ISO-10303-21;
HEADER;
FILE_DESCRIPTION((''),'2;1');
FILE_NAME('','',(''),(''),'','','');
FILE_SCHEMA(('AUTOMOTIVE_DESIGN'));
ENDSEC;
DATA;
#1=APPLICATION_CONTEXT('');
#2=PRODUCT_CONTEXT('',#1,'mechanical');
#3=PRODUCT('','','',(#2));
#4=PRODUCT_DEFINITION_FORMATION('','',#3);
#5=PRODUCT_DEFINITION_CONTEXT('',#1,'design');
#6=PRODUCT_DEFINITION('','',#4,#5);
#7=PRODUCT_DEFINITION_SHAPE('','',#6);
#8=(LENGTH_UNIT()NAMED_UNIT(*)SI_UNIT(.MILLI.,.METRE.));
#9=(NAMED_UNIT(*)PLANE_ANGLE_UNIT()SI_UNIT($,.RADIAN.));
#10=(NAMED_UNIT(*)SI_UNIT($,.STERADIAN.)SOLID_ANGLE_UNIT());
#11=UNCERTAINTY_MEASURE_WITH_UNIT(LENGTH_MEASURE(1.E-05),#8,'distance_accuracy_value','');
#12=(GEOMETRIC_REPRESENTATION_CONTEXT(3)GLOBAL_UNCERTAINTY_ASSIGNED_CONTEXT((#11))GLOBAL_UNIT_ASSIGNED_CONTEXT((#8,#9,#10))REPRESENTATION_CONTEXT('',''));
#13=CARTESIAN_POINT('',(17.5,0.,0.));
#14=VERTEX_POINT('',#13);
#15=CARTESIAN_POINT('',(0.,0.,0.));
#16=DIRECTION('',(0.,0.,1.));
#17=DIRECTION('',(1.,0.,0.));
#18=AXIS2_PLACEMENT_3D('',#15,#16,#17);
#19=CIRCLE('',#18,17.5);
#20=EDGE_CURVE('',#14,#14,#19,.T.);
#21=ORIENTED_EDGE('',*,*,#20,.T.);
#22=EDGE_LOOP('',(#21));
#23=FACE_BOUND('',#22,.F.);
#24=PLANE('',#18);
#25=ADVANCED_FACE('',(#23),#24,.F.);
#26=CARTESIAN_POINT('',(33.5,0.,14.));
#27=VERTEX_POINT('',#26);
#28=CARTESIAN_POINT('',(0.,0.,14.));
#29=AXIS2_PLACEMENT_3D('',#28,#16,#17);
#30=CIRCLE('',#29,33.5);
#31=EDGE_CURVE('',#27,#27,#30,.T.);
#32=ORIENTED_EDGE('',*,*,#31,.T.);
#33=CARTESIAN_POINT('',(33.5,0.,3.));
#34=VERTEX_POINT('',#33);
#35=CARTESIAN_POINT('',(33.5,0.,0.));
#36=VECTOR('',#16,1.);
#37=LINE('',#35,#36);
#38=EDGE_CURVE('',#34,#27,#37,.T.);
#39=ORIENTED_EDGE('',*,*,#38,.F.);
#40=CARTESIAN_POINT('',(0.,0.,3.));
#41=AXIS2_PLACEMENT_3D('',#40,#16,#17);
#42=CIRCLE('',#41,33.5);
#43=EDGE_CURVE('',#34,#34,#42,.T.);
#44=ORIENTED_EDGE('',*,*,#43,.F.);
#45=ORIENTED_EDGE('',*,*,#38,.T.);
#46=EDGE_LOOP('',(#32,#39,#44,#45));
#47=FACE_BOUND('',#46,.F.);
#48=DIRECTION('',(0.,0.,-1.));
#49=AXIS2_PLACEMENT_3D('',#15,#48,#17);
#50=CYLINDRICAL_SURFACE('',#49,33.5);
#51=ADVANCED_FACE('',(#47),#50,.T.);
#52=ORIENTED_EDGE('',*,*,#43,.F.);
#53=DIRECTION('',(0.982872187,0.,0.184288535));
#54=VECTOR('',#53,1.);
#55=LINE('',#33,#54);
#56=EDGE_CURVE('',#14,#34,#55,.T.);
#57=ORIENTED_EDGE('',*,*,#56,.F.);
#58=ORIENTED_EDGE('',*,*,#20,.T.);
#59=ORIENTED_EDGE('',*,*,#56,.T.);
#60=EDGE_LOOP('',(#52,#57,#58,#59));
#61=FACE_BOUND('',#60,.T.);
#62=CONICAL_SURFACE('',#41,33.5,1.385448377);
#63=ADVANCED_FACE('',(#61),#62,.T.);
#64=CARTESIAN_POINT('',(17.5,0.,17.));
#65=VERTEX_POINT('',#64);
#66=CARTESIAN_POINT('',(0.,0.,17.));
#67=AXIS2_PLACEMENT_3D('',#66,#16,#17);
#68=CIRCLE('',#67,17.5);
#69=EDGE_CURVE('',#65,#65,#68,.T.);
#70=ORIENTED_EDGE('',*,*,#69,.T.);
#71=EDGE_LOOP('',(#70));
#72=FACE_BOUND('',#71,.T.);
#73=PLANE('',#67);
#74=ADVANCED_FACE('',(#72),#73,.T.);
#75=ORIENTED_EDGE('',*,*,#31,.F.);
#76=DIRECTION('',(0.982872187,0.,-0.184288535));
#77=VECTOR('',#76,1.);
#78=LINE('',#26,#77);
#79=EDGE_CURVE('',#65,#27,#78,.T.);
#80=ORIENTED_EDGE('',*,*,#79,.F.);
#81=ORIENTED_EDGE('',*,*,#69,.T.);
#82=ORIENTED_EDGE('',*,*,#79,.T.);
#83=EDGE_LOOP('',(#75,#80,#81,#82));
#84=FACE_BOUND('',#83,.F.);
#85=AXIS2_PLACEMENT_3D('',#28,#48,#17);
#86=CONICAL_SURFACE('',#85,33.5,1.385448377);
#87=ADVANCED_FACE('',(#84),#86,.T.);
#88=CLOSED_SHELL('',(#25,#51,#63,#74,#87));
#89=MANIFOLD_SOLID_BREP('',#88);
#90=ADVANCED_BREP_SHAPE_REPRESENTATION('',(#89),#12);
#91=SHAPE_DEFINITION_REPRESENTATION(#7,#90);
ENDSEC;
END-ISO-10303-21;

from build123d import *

# Parameters (mm, degrees)
F0_R       = 33.5
F1_DEPTH   = 17
F2_SIZE2   = 3
F2_SIZE    = 16
F2_2_SIZE2 = 3
F2_2_SIZE  = 16


with BuildPart() as f1:
    # F0 (on Top) → F1 (new body)
    with BuildSketch(Plane.XY):
        Circle(F0_R)
    extrude(amount=F1_DEPTH)

    # F2
    f2_edges = [f1.edges().sort_by_distance(p)[0] for p in [
        (-33.5, 0, 17),
    ]]
    f2_side = f1.faces().sort_by_distance((0, 0, 17))[0]
    chamfer(f2_edges, length=F2_SIZE, length2=F2_SIZE2, reference=f2_side)

    # F2#2
    f2_2_edges = [f1.edges().sort_by_distance(p)[0] for p in [
        (-33.5, 0, 0),
    ]]
    f2_2_side = f1.faces().sort_by_distance((0, 0, 0))[0]
    chamfer(f2_2_edges, length=F2_2_SIZE, length2=F2_2_SIZE2, reference=f2_2_side)


solid = f1.part
